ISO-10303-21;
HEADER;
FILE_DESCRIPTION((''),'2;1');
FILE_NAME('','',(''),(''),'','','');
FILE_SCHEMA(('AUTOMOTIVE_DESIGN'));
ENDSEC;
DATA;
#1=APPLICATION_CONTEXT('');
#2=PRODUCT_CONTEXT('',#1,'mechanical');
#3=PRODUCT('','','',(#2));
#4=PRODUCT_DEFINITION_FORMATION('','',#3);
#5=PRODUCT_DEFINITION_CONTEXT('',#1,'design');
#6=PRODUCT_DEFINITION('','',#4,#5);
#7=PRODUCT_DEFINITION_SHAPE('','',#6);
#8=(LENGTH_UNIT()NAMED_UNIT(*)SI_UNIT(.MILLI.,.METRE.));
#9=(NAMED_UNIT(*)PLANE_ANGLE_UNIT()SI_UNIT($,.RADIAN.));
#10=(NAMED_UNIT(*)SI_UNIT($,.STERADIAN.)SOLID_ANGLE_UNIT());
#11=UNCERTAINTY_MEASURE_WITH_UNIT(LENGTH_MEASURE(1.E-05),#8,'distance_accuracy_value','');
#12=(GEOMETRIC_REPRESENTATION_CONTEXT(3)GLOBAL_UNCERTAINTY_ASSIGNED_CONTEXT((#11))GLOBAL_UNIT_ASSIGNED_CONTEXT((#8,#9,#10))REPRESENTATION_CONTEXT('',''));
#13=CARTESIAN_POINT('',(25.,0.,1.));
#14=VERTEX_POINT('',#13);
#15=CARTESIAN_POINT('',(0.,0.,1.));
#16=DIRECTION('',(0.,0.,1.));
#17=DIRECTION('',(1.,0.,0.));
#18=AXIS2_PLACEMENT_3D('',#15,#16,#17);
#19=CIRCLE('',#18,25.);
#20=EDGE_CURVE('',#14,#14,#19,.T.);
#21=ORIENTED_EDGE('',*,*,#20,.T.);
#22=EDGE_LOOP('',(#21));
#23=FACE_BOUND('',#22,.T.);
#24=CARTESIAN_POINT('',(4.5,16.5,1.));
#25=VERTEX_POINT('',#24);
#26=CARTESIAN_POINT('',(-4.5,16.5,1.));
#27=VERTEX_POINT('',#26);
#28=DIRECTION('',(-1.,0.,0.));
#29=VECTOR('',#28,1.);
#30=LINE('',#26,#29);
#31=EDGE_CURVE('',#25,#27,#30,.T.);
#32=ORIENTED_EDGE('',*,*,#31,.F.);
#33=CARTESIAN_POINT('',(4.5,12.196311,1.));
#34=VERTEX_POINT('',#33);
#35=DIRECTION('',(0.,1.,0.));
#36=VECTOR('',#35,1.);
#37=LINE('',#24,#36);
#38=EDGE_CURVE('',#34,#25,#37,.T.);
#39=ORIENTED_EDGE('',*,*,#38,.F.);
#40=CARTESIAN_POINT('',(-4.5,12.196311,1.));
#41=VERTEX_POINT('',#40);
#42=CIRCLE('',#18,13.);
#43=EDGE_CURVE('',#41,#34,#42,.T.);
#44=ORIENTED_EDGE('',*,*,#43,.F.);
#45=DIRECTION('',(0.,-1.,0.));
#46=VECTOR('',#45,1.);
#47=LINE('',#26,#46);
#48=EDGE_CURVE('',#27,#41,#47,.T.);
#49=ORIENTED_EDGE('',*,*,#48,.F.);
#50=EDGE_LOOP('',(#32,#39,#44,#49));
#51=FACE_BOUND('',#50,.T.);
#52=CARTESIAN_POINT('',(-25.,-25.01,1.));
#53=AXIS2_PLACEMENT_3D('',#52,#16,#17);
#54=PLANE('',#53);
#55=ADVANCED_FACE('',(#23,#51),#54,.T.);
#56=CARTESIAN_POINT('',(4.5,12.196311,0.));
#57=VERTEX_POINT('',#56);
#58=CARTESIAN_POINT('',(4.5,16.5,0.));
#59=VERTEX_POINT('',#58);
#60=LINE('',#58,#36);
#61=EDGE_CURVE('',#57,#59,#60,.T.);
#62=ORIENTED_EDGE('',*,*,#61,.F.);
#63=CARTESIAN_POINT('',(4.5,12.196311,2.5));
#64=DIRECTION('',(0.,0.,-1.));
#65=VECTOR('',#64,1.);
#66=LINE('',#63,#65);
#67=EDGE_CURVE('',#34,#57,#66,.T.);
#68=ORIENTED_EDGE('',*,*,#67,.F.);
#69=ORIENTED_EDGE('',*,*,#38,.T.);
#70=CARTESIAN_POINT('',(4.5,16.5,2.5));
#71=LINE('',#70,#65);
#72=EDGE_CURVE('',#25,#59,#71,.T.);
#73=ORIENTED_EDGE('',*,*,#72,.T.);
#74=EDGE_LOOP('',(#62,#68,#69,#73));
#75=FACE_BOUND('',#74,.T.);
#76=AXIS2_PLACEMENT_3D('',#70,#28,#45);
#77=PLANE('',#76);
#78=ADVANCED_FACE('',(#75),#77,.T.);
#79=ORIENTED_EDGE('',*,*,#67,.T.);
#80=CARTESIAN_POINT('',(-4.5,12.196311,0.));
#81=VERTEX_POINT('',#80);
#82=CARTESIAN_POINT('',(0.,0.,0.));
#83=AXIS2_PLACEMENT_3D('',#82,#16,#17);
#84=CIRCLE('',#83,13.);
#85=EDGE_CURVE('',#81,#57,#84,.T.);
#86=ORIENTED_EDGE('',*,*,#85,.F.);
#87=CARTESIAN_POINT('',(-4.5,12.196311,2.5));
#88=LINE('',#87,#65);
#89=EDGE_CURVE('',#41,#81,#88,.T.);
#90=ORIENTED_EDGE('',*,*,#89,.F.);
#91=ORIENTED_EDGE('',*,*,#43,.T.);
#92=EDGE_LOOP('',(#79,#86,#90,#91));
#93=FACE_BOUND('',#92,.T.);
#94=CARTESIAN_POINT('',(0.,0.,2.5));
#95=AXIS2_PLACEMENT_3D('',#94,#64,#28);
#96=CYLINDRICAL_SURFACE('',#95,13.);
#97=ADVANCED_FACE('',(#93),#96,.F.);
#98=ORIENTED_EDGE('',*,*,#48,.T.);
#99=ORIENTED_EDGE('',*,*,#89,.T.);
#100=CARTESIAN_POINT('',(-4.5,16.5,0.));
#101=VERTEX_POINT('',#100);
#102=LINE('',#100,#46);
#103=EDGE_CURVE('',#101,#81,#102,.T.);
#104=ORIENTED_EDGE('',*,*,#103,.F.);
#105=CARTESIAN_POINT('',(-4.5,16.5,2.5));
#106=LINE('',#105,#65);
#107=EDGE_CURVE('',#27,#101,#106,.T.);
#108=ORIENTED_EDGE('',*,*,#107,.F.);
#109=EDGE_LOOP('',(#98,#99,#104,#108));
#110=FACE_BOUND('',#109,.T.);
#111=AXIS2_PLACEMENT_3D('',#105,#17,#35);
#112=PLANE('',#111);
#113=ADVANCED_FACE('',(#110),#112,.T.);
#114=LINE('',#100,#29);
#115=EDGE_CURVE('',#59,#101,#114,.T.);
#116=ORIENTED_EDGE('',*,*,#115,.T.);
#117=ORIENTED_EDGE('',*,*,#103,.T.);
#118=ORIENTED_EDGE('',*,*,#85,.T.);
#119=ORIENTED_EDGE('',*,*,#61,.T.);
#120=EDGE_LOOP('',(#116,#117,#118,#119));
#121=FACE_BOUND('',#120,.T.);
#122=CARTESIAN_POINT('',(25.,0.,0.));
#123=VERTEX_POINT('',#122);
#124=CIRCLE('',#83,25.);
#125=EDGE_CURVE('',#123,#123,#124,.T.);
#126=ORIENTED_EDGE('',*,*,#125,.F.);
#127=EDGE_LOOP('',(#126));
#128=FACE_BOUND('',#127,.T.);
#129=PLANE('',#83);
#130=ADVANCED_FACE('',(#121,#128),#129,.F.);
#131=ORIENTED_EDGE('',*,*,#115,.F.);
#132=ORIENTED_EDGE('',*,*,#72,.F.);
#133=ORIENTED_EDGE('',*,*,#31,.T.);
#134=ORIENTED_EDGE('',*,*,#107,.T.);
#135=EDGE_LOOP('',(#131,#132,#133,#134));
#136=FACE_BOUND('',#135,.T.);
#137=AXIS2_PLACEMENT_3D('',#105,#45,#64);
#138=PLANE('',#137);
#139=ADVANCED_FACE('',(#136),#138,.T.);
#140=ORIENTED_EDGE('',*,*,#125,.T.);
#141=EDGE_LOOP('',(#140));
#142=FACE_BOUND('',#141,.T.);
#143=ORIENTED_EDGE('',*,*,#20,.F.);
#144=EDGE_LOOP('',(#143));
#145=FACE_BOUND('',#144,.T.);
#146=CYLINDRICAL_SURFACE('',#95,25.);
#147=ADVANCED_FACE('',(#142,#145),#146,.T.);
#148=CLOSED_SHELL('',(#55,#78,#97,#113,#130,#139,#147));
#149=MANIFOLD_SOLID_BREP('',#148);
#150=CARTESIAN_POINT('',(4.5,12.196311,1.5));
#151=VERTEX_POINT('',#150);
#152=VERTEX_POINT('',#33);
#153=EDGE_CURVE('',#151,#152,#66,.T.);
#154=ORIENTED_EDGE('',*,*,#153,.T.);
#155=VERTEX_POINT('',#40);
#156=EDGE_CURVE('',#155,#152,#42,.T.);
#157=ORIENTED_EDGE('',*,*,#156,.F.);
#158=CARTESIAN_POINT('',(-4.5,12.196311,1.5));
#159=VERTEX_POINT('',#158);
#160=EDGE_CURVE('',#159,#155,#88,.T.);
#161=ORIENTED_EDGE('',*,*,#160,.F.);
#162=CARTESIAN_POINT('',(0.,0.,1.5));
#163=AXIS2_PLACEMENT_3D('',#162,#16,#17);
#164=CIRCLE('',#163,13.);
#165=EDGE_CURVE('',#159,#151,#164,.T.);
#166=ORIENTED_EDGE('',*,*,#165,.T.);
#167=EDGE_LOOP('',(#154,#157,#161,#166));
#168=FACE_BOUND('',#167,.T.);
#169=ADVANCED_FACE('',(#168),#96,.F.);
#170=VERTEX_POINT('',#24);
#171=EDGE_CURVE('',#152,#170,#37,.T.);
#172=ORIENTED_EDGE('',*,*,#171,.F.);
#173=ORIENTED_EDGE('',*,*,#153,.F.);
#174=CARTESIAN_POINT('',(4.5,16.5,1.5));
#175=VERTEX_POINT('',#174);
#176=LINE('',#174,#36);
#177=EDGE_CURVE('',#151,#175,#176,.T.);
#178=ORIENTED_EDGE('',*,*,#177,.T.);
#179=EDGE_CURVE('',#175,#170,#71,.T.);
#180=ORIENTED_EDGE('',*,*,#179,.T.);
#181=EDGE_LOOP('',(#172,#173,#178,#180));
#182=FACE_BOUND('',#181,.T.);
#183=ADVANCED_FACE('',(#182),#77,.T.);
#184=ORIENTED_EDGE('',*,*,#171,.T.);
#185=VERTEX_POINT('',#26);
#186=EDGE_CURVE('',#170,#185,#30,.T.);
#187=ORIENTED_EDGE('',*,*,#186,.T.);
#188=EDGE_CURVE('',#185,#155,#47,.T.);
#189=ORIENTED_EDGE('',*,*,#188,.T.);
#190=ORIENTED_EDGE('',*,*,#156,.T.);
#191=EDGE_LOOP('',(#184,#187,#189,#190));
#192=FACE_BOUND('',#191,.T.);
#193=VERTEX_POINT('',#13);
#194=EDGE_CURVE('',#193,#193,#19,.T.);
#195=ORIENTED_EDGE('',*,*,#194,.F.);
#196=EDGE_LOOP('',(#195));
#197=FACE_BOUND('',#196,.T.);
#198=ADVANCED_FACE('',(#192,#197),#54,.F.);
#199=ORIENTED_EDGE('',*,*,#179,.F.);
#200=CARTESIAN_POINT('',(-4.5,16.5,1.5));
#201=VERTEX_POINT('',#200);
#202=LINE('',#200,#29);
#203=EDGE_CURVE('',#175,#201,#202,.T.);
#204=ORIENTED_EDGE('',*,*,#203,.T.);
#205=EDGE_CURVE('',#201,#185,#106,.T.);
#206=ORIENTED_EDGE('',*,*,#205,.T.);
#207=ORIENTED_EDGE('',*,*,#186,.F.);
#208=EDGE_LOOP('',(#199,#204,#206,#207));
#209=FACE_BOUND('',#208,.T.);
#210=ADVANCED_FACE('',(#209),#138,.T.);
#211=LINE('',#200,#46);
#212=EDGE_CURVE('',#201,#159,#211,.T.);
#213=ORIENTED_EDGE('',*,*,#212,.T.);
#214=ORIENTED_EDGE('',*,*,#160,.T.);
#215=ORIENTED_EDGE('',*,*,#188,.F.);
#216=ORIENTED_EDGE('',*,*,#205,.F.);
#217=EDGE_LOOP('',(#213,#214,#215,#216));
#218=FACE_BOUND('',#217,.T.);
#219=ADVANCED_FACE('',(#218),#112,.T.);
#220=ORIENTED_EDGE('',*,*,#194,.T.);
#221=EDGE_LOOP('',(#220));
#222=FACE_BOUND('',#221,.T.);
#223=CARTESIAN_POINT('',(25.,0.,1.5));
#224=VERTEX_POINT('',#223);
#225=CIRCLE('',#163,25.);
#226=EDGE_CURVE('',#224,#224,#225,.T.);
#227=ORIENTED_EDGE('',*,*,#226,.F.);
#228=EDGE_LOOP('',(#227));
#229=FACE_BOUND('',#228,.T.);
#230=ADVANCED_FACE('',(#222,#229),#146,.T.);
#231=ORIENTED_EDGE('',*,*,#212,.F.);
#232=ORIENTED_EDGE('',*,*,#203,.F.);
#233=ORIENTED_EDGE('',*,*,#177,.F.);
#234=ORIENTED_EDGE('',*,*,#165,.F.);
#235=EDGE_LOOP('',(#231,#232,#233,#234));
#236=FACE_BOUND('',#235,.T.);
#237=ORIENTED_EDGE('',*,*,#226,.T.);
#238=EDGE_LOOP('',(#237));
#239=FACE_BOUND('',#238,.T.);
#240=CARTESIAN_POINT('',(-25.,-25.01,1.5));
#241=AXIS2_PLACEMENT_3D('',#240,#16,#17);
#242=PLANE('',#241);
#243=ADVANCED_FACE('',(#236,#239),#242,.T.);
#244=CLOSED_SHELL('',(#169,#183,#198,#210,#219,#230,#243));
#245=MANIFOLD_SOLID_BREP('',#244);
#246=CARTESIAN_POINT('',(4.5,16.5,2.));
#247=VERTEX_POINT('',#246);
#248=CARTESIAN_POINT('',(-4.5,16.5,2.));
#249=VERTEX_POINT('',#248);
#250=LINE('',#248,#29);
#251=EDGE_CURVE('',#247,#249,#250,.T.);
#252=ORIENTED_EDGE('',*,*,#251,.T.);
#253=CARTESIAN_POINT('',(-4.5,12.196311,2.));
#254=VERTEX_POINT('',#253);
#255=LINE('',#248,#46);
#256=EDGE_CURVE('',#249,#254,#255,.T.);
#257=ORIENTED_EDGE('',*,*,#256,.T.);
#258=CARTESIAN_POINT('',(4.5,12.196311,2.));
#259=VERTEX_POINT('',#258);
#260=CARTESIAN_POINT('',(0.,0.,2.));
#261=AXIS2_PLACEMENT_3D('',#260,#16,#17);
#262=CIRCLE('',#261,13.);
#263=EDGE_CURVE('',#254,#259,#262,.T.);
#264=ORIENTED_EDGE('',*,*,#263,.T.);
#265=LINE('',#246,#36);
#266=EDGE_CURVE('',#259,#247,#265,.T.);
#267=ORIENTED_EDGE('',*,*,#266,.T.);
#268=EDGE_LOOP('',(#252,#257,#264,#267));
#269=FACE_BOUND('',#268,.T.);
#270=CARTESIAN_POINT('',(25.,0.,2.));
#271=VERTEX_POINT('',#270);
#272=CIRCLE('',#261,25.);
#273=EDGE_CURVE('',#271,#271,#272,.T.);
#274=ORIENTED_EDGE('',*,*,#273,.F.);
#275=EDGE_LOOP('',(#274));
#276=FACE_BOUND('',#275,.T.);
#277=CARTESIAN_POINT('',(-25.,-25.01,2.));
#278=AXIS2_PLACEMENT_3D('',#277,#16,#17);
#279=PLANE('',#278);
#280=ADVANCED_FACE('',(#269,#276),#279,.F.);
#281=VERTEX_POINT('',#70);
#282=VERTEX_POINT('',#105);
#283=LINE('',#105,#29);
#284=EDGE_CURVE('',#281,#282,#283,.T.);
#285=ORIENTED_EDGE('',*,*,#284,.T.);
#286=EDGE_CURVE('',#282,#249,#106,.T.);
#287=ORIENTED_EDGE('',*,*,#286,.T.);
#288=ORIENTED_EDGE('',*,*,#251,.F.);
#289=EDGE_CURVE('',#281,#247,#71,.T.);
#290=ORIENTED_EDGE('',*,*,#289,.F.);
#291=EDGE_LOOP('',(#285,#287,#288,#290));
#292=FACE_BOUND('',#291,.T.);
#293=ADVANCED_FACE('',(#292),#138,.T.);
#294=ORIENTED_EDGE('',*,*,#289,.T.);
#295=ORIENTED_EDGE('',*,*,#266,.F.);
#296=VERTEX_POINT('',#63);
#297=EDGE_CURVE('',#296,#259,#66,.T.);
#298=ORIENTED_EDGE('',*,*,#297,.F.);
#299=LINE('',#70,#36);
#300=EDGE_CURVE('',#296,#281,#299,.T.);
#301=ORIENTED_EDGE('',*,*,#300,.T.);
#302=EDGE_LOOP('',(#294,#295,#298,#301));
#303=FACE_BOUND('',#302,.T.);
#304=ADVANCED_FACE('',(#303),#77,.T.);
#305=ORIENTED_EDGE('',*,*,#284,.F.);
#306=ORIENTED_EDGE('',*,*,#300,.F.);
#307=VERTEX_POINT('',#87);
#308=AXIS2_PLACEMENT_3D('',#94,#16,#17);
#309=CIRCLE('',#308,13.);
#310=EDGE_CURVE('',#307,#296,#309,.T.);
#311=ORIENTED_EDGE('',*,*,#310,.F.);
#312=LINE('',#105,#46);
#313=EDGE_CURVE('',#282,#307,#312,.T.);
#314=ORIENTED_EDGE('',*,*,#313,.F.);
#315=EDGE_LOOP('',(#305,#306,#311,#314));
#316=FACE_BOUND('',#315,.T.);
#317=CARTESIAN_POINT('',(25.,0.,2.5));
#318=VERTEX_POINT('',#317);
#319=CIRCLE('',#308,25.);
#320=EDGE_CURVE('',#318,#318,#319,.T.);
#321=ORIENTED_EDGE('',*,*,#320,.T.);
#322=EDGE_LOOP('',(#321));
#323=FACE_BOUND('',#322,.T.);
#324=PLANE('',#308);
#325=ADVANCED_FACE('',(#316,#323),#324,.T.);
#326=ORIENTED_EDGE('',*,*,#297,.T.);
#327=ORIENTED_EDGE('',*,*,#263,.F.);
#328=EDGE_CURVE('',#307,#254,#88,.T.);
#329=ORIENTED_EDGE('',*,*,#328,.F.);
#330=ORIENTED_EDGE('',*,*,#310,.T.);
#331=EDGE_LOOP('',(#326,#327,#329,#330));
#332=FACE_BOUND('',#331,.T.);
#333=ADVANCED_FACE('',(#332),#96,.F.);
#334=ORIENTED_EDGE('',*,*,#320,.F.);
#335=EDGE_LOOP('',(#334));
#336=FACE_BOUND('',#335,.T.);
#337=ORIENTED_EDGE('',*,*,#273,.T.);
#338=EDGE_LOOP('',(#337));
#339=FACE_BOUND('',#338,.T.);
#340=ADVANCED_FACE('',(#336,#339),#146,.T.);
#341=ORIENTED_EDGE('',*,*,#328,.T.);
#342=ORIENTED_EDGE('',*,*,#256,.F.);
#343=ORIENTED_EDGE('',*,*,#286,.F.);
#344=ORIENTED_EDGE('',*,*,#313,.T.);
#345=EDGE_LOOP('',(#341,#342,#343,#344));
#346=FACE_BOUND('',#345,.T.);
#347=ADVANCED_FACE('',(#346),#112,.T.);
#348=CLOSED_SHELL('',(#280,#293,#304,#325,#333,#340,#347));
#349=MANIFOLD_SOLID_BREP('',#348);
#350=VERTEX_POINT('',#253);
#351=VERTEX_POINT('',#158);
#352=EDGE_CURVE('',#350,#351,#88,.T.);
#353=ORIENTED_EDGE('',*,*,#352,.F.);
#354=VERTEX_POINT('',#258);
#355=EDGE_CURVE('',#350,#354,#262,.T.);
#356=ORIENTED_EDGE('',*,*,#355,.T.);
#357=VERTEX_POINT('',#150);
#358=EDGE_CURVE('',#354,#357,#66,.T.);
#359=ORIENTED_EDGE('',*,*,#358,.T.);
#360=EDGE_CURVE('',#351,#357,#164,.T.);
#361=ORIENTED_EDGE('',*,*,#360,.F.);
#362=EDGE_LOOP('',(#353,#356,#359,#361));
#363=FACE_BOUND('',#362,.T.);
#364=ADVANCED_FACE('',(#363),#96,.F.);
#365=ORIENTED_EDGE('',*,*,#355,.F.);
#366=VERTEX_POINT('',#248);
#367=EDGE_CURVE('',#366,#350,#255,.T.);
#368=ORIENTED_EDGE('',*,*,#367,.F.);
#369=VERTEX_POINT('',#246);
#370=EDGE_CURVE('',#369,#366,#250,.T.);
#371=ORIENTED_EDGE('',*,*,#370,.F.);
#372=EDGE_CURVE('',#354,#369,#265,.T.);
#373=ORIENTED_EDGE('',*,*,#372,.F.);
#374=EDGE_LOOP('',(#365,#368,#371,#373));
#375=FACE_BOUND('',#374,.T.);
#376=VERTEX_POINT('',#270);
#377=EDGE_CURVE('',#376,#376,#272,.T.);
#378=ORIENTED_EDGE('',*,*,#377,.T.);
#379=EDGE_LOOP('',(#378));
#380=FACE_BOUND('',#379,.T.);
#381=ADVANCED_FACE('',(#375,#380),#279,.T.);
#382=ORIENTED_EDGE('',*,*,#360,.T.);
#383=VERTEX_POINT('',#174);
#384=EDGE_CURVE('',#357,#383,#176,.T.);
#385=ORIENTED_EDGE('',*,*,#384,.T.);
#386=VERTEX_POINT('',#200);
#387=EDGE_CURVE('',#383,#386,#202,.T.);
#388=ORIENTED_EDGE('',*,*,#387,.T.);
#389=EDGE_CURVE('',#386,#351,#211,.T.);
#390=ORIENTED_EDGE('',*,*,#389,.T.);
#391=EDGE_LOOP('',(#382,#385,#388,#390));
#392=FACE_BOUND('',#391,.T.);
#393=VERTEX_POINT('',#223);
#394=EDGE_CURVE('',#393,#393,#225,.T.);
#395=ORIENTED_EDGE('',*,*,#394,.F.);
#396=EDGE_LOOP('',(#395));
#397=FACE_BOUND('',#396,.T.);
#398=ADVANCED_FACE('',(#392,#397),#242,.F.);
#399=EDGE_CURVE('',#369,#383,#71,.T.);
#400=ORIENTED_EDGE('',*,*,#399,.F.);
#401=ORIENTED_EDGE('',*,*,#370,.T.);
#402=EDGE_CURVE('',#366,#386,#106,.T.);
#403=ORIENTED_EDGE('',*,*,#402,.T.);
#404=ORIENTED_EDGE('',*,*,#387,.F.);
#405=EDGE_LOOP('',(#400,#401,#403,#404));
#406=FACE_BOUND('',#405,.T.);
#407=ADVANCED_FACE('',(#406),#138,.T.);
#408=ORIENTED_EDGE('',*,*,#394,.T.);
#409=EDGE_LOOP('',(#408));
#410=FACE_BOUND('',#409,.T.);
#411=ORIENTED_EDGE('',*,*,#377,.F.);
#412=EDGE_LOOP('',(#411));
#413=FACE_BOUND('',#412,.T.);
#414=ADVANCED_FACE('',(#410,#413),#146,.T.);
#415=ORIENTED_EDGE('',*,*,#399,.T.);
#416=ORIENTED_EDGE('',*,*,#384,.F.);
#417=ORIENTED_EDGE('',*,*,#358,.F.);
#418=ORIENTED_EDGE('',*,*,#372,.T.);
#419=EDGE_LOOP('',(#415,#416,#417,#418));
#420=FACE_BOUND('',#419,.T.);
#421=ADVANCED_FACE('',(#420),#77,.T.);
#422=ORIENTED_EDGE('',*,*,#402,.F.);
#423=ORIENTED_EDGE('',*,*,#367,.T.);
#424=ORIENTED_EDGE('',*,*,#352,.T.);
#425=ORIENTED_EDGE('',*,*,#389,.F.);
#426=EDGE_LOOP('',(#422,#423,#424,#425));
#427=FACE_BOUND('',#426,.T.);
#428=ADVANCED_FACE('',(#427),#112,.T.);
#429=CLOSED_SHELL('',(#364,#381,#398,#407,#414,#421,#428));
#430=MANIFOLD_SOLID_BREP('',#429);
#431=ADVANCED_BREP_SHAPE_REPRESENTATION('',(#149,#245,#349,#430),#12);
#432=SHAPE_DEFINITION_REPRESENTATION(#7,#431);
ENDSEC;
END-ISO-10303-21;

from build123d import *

# Parameters (mm, degrees)
SKETCH_1_R                       = 25
EXTRUDE_1_DEPTH                  = 2.5
SPLIT_BODIES_1_SURFACE_3_1_BACK  = 71.755
SPLIT_BODIES_1_SURFACE_3_1_DEPTH = 143.51
SPLIT_BODIES_1_SURFACE_3_2_BACK  = 71.755
SPLIT_BODIES_1_SURFACE_3_2_DEPTH = 143.51
SPLIT_BODIES_1_SURFACE_4_3_BACK  = 71.755
SPLIT_BODIES_1_SURFACE_4_3_DEPTH = 143.51
SPLIT_BODIES_1_SURFACE_4_4_BACK  = 71.755
SPLIT_BODIES_1_SURFACE_4_4_DEPTH = 143.51
SPLIT_BODIES_1_SURFACE_5_5_BACK  = 71.755
SPLIT_BODIES_1_SURFACE_5_5_DEPTH = 143.51
SPLIT_BODIES_1_SURFACE_5_6_BACK  = 71.755
SPLIT_BODIES_1_SURFACE_5_6_DEPTH = 143.51


with BuildPart() as part:
    # Эскиз1 → Вытянуть1 (new body)
    with BuildSketch(Plane.XY):
        Circle(SKETCH_1_R)
        with BuildLine():
            Line((-4.5, 16.5), (4.5, 16.5))
            Line((4.5, 16.5), (4.5, 12.196310918))
            ThreePointArc((4.5, 12.196310918), (0, -13), (-4.5, 12.196310918))
            Line((-4.5, 12.196310918), (-4.5, 16.5))
        make_face(mode=Mode.SUBTRACT)
    extrude(amount=EXTRUDE_1_DEPTH)


with BuildPart() as body_2_3:
    # Split Bodies 1 3: the piece behind the surface
    add(part.part)
    # Split Bodies 1 surface 3: a surface, the sketch's curves swept straight by 143.51 mm
    with BuildLine(Plane(origin=(0, 0, 0), x_dir=(1, 0, 0), z_dir=(0, 1, 0)).offset(-SPLIT_BODIES_1_SURFACE_3_1_BACK), mode=Mode.PRIVATE) as split_bodies_1_surface_3_1_path:
        Line((-25, -1), (25, -1))
    split_bodies_1_surface_3_1 = Shell.extrude(split_bodies_1_surface_3_1_path.wire(), (0 * SPLIT_BODIES_1_SURFACE_3_1_DEPTH, 1 * SPLIT_BODIES_1_SURFACE_3_1_DEPTH, 0 * SPLIT_BODIES_1_SURFACE_3_1_DEPTH))
    split(bisect_by=split_bodies_1_surface_3_1, keep=Keep.BOTTOM)


with BuildPart() as part_1:
    add(part.part)

    # Split Bodies 1 3: split by a surface, the side it looks to stays
    # Split Bodies 1 surface 3: a surface, the sketch's curves swept straight by 143.51 mm
    with BuildLine(Plane(origin=(0, 0, 0), x_dir=(1, 0, 0), z_dir=(0, 1, 0)).offset(-SPLIT_BODIES_1_SURFACE_3_2_BACK), mode=Mode.PRIVATE) as split_bodies_1_surface_3_2_path:
        Line((-25, -1), (25, -1))
    split_bodies_1_surface_3_2 = Shell.extrude(split_bodies_1_surface_3_2_path.wire(), (0 * SPLIT_BODIES_1_SURFACE_3_2_DEPTH, 1 * SPLIT_BODIES_1_SURFACE_3_2_DEPTH, 0 * SPLIT_BODIES_1_SURFACE_3_2_DEPTH))
    split(bisect_by=split_bodies_1_surface_3_2, keep=Keep.TOP)


with BuildPart() as body_3:
    # Split Bodies 1 4 body 2 3: the piece behind the surface
    add(body_2_3.part)
    # Split Bodies 1 surface 4: a surface, the sketch's curves swept straight by 143.51 mm
    with BuildLine(Plane(origin=(0, 0, 0), x_dir=(1, 0, 0), z_dir=(0, 1, 0)).offset(-SPLIT_BODIES_1_SURFACE_4_3_BACK), mode=Mode.PRIVATE) as split_bodies_1_surface_4_3_path:
        Line((-25, -1.5), (25, -1.5))
    split_bodies_1_surface_4_3 = Shell.extrude(split_bodies_1_surface_4_3_path.wire(), (0 * SPLIT_BODIES_1_SURFACE_4_3_DEPTH, 1 * SPLIT_BODIES_1_SURFACE_4_3_DEPTH, 0 * SPLIT_BODIES_1_SURFACE_4_3_DEPTH))
    split(bisect_by=split_bodies_1_surface_4_3, keep=Keep.BOTTOM)


with BuildPart() as body_2_3_1:
    add(body_2_3.part)

    # Split Bodies 1 4 body 2 3: split by a surface, the side it looks to stays
    # Split Bodies 1 surface 4: a surface, the sketch's curves swept straight by 143.51 mm
    with BuildLine(Plane(origin=(0, 0, 0), x_dir=(1, 0, 0), z_dir=(0, 1, 0)).offset(-SPLIT_BODIES_1_SURFACE_4_4_BACK), mode=Mode.PRIVATE) as split_bodies_1_surface_4_4_path:
        Line((-25, -1.5), (25, -1.5))
    split_bodies_1_surface_4_4 = Shell.extrude(split_bodies_1_surface_4_4_path.wire(), (0 * SPLIT_BODIES_1_SURFACE_4_4_DEPTH, 1 * SPLIT_BODIES_1_SURFACE_4_4_DEPTH, 0 * SPLIT_BODIES_1_SURFACE_4_4_DEPTH))
    split(bisect_by=split_bodies_1_surface_4_4, keep=Keep.TOP)


with BuildPart() as body_4:
    # Split Bodies 1 5 body 3: the piece behind the surface
    add(body_3.part)
    # Split Bodies 1 surface 5: a surface, the sketch's curves swept straight by 143.51 mm
    with BuildLine(Plane(origin=(0, 0, 0), x_dir=(1, 0, 0), z_dir=(0, 1, 0)).offset(-SPLIT_BODIES_1_SURFACE_5_5_BACK), mode=Mode.PRIVATE) as split_bodies_1_surface_5_5_path:
        Line((-25, -2), (25, -2))
    split_bodies_1_surface_5_5 = Shell.extrude(split_bodies_1_surface_5_5_path.wire(), (0 * SPLIT_BODIES_1_SURFACE_5_5_DEPTH, 1 * SPLIT_BODIES_1_SURFACE_5_5_DEPTH, 0 * SPLIT_BODIES_1_SURFACE_5_5_DEPTH))
    split(bisect_by=split_bodies_1_surface_5_5, keep=Keep.BOTTOM)


with BuildPart() as body_3_1:
    add(body_3.part)

    # Split Bodies 1 5 body 3: split by a surface, the side it looks to stays
    # Split Bodies 1 surface 5: a surface, the sketch's curves swept straight by 143.51 mm
    with BuildLine(Plane(origin=(0, 0, 0), x_dir=(1, 0, 0), z_dir=(0, 1, 0)).offset(-SPLIT_BODIES_1_SURFACE_5_6_BACK), mode=Mode.PRIVATE) as split_bodies_1_surface_5_6_path:
        Line((-25, -2), (25, -2))
    split_bodies_1_surface_5_6 = Shell.extrude(split_bodies_1_surface_5_6_path.wire(), (0 * SPLIT_BODIES_1_SURFACE_5_6_DEPTH, 1 * SPLIT_BODIES_1_SURFACE_5_6_DEPTH, 0 * SPLIT_BODIES_1_SURFACE_5_6_DEPTH))
    split(bisect_by=split_bodies_1_surface_5_6, keep=Keep.TOP)


solid = Compound([part_1.part, body_2_3_1.part, body_4.part, body_3_1.part])
